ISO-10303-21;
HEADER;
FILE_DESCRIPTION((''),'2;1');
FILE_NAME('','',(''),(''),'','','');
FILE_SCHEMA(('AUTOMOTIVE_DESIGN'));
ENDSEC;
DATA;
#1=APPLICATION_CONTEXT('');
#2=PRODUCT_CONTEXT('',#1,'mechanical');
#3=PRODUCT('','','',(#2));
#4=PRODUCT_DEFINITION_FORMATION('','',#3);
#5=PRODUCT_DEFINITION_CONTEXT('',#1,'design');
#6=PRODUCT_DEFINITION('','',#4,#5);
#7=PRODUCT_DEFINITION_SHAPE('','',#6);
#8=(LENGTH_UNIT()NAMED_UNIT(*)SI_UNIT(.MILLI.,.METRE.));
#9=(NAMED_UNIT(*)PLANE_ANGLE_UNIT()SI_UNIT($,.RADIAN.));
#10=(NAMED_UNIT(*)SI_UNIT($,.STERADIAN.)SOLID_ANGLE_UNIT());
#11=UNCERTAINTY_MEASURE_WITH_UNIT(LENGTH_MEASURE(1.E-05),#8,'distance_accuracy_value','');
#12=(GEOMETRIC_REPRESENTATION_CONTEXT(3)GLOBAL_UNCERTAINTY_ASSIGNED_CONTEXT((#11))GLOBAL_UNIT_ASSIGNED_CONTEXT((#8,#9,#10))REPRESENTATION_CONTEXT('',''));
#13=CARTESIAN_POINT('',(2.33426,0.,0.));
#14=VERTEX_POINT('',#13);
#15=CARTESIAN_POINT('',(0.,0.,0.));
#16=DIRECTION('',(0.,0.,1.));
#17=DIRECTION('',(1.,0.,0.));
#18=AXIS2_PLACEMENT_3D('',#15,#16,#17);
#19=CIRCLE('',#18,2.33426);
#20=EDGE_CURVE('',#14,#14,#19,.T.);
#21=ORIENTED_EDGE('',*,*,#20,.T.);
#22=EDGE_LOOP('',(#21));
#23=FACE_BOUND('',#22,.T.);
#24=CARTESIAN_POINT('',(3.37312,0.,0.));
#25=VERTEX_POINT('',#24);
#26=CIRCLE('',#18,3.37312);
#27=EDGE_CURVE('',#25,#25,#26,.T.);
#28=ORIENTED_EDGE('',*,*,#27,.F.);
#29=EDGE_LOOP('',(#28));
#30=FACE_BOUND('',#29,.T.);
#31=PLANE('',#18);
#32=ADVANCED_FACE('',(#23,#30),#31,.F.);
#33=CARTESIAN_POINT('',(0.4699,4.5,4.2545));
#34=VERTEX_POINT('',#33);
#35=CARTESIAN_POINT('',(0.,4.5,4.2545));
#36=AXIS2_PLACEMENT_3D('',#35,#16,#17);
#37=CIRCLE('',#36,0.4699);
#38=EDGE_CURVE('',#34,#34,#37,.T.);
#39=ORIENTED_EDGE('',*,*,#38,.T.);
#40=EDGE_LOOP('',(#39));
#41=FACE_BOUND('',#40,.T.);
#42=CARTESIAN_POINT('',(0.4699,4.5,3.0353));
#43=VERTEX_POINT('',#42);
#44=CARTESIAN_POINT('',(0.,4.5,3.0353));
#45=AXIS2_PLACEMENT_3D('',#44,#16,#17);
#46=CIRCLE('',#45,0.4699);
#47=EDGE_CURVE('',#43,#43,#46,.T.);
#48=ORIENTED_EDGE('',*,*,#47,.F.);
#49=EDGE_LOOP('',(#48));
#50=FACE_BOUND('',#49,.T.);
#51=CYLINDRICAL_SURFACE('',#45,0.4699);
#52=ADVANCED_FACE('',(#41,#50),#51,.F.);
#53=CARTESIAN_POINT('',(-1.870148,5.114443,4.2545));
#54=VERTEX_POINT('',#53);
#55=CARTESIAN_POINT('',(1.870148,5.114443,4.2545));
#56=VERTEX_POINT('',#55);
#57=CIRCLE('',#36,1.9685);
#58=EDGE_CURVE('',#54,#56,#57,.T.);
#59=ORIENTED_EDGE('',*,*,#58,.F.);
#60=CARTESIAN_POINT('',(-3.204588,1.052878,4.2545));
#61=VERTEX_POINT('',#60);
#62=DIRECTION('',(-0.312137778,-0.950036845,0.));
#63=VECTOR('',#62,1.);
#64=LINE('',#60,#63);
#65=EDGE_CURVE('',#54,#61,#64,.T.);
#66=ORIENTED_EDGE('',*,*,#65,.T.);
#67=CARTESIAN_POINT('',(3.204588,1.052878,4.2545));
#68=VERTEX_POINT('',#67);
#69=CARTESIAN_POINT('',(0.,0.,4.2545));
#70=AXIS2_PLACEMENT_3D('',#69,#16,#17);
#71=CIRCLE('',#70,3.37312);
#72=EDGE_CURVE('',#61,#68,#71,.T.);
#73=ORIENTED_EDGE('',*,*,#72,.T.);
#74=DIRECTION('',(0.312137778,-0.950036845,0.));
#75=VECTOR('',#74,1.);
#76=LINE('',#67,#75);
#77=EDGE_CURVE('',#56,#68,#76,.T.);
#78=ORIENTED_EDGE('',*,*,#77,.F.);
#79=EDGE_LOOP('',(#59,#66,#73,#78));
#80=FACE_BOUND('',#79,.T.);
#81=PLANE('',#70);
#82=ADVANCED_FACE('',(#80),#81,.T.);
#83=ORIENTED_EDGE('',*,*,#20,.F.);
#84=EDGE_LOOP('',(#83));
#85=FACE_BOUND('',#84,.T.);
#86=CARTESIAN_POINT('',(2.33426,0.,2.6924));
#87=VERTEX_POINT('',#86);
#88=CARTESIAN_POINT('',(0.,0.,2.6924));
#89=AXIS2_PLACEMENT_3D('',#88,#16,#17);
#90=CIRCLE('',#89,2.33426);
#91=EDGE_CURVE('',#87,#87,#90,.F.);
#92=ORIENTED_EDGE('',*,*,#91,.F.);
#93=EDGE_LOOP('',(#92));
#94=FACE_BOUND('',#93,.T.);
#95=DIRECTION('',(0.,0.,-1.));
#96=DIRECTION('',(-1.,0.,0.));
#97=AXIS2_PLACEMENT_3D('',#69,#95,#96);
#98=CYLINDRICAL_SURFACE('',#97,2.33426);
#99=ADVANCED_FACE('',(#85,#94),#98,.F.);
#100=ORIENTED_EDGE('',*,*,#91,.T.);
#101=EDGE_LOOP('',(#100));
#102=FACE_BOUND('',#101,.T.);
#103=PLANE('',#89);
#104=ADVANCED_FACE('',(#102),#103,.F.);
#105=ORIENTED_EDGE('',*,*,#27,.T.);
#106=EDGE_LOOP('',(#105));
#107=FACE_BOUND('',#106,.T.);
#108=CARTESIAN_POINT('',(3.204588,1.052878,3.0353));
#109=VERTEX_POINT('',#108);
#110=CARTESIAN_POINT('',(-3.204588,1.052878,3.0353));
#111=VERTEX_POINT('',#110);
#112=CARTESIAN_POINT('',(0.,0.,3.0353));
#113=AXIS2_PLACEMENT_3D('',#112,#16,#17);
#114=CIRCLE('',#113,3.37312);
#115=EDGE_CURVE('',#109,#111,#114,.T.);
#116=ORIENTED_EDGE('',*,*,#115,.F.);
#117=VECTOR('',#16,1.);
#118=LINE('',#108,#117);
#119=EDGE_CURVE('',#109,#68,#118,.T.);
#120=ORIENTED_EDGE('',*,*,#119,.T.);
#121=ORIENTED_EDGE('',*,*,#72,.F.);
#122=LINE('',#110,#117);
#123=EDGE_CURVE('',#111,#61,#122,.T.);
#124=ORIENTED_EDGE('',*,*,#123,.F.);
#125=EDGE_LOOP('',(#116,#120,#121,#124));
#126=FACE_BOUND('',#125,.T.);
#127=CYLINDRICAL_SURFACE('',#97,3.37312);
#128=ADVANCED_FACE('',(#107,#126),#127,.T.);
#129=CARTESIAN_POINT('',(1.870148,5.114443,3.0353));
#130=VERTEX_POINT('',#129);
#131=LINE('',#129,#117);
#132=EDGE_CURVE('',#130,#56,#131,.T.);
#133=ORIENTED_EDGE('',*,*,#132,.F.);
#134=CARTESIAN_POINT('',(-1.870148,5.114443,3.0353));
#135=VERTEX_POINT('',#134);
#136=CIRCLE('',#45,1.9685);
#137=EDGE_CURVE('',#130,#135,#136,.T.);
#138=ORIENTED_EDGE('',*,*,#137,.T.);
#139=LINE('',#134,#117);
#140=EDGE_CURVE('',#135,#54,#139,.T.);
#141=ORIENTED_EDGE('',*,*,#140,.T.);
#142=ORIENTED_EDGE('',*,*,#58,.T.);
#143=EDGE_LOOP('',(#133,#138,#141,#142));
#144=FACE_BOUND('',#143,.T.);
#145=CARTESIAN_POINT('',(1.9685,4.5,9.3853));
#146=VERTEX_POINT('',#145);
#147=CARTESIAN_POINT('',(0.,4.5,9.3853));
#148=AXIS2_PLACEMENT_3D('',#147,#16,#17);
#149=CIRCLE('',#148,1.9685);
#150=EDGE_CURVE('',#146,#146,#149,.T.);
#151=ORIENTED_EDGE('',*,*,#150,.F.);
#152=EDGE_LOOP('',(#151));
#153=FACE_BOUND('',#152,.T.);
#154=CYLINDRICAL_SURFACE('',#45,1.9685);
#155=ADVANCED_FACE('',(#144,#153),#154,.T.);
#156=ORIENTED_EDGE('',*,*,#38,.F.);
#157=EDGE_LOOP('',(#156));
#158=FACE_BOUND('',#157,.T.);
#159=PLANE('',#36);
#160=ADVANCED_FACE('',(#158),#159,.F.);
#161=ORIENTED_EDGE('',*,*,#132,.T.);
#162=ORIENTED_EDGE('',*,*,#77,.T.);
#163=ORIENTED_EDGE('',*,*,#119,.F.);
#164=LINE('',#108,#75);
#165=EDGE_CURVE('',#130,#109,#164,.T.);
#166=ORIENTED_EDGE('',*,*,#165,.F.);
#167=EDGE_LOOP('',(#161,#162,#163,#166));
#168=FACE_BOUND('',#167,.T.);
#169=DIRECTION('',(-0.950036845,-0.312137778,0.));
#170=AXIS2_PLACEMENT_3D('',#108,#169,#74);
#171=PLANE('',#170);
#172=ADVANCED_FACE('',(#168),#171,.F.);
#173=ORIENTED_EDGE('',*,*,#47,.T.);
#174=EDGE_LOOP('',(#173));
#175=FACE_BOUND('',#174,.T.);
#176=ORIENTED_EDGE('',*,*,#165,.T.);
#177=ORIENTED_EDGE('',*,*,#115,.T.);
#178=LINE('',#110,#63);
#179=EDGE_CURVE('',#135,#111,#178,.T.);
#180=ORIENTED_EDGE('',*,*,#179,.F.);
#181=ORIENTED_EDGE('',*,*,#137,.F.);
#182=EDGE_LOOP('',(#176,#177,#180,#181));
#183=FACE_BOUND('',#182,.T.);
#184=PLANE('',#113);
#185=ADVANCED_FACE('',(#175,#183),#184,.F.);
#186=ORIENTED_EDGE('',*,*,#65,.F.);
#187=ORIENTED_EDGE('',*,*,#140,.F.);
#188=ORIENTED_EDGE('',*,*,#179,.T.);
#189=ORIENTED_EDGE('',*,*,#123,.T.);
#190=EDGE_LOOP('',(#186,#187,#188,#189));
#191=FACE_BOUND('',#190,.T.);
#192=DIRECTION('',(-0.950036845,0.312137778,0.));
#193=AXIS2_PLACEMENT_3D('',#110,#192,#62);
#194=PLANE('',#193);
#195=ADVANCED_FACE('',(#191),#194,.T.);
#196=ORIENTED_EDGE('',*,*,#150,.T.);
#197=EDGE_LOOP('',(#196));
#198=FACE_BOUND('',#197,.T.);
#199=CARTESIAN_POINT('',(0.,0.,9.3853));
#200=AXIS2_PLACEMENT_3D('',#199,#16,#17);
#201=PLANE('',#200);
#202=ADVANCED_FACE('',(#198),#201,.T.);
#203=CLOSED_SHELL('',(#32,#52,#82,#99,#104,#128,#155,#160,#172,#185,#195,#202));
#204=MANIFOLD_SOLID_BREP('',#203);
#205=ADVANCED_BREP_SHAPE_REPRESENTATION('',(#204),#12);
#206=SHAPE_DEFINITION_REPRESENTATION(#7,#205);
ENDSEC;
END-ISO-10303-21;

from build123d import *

# Parameters (mm, degrees)
SKETCH1_R           = 3.37312
SKETCH1_R_2         = 2.33426
BOSS_EXTRUDE1_DEPTH = 4.2545
SKETCH2_R           = 0.4699
BOSS_EXTRUDE2_DEPTH = 1.2192
SKETCH3_R           = 2.33426
BOSS_EXTRUDE3_DEPTH = 1.5621
SKETCH4_R           = 1.9685
BOSS_EXTRUDE5_DEPTH = 5.1308


with BuildPart() as part:
    # Sketch1 → Boss-Extrude1 (new body)
    with BuildSketch(Plane.XY):
        Circle(SKETCH1_R)
        Circle(SKETCH1_R_2, mode=Mode.SUBTRACT)
    extrude(amount=BOSS_EXTRUDE1_DEPTH)

    # Sketch2 → Boss-Extrude2 (add)
    with BuildSketch(Plane.XY.offset(4.2545)):
        with BuildLine():
            ThreePointArc((1.87014753, 5.114443216), (0, 6.4685), (-1.87014753, 5.114443216))
            Line((-1.87014753, 5.114443216), (-3.204588284, 1.052878181))
            ThreePointArc((-3.204588284, 1.052878181), (0, 3.37312), (3.204588284, 1.052878181))
            Line((3.204588284, 1.052878181), (1.87014753, 5.114443216))
        make_face()
        with Locations((0, 4.5)):
            Circle(SKETCH2_R, mode=Mode.SUBTRACT)
    extrude(amount=-BOSS_EXTRUDE2_DEPTH)

    # Sketch3 → Boss-Extrude3 (add)
    with BuildSketch(Plane.XY.offset(4.2545)):
        Circle(SKETCH3_R)
    extrude(amount=-BOSS_EXTRUDE3_DEPTH)

    # Sketch4 → Boss-Extrude5 (add)
    with BuildSketch(Plane.XY.offset(4.2545)):
        with Locations((0, 4.5)):
            Circle(SKETCH4_R)
    extrude(amount=BOSS_EXTRUDE5_DEPTH)


solid = part.part
